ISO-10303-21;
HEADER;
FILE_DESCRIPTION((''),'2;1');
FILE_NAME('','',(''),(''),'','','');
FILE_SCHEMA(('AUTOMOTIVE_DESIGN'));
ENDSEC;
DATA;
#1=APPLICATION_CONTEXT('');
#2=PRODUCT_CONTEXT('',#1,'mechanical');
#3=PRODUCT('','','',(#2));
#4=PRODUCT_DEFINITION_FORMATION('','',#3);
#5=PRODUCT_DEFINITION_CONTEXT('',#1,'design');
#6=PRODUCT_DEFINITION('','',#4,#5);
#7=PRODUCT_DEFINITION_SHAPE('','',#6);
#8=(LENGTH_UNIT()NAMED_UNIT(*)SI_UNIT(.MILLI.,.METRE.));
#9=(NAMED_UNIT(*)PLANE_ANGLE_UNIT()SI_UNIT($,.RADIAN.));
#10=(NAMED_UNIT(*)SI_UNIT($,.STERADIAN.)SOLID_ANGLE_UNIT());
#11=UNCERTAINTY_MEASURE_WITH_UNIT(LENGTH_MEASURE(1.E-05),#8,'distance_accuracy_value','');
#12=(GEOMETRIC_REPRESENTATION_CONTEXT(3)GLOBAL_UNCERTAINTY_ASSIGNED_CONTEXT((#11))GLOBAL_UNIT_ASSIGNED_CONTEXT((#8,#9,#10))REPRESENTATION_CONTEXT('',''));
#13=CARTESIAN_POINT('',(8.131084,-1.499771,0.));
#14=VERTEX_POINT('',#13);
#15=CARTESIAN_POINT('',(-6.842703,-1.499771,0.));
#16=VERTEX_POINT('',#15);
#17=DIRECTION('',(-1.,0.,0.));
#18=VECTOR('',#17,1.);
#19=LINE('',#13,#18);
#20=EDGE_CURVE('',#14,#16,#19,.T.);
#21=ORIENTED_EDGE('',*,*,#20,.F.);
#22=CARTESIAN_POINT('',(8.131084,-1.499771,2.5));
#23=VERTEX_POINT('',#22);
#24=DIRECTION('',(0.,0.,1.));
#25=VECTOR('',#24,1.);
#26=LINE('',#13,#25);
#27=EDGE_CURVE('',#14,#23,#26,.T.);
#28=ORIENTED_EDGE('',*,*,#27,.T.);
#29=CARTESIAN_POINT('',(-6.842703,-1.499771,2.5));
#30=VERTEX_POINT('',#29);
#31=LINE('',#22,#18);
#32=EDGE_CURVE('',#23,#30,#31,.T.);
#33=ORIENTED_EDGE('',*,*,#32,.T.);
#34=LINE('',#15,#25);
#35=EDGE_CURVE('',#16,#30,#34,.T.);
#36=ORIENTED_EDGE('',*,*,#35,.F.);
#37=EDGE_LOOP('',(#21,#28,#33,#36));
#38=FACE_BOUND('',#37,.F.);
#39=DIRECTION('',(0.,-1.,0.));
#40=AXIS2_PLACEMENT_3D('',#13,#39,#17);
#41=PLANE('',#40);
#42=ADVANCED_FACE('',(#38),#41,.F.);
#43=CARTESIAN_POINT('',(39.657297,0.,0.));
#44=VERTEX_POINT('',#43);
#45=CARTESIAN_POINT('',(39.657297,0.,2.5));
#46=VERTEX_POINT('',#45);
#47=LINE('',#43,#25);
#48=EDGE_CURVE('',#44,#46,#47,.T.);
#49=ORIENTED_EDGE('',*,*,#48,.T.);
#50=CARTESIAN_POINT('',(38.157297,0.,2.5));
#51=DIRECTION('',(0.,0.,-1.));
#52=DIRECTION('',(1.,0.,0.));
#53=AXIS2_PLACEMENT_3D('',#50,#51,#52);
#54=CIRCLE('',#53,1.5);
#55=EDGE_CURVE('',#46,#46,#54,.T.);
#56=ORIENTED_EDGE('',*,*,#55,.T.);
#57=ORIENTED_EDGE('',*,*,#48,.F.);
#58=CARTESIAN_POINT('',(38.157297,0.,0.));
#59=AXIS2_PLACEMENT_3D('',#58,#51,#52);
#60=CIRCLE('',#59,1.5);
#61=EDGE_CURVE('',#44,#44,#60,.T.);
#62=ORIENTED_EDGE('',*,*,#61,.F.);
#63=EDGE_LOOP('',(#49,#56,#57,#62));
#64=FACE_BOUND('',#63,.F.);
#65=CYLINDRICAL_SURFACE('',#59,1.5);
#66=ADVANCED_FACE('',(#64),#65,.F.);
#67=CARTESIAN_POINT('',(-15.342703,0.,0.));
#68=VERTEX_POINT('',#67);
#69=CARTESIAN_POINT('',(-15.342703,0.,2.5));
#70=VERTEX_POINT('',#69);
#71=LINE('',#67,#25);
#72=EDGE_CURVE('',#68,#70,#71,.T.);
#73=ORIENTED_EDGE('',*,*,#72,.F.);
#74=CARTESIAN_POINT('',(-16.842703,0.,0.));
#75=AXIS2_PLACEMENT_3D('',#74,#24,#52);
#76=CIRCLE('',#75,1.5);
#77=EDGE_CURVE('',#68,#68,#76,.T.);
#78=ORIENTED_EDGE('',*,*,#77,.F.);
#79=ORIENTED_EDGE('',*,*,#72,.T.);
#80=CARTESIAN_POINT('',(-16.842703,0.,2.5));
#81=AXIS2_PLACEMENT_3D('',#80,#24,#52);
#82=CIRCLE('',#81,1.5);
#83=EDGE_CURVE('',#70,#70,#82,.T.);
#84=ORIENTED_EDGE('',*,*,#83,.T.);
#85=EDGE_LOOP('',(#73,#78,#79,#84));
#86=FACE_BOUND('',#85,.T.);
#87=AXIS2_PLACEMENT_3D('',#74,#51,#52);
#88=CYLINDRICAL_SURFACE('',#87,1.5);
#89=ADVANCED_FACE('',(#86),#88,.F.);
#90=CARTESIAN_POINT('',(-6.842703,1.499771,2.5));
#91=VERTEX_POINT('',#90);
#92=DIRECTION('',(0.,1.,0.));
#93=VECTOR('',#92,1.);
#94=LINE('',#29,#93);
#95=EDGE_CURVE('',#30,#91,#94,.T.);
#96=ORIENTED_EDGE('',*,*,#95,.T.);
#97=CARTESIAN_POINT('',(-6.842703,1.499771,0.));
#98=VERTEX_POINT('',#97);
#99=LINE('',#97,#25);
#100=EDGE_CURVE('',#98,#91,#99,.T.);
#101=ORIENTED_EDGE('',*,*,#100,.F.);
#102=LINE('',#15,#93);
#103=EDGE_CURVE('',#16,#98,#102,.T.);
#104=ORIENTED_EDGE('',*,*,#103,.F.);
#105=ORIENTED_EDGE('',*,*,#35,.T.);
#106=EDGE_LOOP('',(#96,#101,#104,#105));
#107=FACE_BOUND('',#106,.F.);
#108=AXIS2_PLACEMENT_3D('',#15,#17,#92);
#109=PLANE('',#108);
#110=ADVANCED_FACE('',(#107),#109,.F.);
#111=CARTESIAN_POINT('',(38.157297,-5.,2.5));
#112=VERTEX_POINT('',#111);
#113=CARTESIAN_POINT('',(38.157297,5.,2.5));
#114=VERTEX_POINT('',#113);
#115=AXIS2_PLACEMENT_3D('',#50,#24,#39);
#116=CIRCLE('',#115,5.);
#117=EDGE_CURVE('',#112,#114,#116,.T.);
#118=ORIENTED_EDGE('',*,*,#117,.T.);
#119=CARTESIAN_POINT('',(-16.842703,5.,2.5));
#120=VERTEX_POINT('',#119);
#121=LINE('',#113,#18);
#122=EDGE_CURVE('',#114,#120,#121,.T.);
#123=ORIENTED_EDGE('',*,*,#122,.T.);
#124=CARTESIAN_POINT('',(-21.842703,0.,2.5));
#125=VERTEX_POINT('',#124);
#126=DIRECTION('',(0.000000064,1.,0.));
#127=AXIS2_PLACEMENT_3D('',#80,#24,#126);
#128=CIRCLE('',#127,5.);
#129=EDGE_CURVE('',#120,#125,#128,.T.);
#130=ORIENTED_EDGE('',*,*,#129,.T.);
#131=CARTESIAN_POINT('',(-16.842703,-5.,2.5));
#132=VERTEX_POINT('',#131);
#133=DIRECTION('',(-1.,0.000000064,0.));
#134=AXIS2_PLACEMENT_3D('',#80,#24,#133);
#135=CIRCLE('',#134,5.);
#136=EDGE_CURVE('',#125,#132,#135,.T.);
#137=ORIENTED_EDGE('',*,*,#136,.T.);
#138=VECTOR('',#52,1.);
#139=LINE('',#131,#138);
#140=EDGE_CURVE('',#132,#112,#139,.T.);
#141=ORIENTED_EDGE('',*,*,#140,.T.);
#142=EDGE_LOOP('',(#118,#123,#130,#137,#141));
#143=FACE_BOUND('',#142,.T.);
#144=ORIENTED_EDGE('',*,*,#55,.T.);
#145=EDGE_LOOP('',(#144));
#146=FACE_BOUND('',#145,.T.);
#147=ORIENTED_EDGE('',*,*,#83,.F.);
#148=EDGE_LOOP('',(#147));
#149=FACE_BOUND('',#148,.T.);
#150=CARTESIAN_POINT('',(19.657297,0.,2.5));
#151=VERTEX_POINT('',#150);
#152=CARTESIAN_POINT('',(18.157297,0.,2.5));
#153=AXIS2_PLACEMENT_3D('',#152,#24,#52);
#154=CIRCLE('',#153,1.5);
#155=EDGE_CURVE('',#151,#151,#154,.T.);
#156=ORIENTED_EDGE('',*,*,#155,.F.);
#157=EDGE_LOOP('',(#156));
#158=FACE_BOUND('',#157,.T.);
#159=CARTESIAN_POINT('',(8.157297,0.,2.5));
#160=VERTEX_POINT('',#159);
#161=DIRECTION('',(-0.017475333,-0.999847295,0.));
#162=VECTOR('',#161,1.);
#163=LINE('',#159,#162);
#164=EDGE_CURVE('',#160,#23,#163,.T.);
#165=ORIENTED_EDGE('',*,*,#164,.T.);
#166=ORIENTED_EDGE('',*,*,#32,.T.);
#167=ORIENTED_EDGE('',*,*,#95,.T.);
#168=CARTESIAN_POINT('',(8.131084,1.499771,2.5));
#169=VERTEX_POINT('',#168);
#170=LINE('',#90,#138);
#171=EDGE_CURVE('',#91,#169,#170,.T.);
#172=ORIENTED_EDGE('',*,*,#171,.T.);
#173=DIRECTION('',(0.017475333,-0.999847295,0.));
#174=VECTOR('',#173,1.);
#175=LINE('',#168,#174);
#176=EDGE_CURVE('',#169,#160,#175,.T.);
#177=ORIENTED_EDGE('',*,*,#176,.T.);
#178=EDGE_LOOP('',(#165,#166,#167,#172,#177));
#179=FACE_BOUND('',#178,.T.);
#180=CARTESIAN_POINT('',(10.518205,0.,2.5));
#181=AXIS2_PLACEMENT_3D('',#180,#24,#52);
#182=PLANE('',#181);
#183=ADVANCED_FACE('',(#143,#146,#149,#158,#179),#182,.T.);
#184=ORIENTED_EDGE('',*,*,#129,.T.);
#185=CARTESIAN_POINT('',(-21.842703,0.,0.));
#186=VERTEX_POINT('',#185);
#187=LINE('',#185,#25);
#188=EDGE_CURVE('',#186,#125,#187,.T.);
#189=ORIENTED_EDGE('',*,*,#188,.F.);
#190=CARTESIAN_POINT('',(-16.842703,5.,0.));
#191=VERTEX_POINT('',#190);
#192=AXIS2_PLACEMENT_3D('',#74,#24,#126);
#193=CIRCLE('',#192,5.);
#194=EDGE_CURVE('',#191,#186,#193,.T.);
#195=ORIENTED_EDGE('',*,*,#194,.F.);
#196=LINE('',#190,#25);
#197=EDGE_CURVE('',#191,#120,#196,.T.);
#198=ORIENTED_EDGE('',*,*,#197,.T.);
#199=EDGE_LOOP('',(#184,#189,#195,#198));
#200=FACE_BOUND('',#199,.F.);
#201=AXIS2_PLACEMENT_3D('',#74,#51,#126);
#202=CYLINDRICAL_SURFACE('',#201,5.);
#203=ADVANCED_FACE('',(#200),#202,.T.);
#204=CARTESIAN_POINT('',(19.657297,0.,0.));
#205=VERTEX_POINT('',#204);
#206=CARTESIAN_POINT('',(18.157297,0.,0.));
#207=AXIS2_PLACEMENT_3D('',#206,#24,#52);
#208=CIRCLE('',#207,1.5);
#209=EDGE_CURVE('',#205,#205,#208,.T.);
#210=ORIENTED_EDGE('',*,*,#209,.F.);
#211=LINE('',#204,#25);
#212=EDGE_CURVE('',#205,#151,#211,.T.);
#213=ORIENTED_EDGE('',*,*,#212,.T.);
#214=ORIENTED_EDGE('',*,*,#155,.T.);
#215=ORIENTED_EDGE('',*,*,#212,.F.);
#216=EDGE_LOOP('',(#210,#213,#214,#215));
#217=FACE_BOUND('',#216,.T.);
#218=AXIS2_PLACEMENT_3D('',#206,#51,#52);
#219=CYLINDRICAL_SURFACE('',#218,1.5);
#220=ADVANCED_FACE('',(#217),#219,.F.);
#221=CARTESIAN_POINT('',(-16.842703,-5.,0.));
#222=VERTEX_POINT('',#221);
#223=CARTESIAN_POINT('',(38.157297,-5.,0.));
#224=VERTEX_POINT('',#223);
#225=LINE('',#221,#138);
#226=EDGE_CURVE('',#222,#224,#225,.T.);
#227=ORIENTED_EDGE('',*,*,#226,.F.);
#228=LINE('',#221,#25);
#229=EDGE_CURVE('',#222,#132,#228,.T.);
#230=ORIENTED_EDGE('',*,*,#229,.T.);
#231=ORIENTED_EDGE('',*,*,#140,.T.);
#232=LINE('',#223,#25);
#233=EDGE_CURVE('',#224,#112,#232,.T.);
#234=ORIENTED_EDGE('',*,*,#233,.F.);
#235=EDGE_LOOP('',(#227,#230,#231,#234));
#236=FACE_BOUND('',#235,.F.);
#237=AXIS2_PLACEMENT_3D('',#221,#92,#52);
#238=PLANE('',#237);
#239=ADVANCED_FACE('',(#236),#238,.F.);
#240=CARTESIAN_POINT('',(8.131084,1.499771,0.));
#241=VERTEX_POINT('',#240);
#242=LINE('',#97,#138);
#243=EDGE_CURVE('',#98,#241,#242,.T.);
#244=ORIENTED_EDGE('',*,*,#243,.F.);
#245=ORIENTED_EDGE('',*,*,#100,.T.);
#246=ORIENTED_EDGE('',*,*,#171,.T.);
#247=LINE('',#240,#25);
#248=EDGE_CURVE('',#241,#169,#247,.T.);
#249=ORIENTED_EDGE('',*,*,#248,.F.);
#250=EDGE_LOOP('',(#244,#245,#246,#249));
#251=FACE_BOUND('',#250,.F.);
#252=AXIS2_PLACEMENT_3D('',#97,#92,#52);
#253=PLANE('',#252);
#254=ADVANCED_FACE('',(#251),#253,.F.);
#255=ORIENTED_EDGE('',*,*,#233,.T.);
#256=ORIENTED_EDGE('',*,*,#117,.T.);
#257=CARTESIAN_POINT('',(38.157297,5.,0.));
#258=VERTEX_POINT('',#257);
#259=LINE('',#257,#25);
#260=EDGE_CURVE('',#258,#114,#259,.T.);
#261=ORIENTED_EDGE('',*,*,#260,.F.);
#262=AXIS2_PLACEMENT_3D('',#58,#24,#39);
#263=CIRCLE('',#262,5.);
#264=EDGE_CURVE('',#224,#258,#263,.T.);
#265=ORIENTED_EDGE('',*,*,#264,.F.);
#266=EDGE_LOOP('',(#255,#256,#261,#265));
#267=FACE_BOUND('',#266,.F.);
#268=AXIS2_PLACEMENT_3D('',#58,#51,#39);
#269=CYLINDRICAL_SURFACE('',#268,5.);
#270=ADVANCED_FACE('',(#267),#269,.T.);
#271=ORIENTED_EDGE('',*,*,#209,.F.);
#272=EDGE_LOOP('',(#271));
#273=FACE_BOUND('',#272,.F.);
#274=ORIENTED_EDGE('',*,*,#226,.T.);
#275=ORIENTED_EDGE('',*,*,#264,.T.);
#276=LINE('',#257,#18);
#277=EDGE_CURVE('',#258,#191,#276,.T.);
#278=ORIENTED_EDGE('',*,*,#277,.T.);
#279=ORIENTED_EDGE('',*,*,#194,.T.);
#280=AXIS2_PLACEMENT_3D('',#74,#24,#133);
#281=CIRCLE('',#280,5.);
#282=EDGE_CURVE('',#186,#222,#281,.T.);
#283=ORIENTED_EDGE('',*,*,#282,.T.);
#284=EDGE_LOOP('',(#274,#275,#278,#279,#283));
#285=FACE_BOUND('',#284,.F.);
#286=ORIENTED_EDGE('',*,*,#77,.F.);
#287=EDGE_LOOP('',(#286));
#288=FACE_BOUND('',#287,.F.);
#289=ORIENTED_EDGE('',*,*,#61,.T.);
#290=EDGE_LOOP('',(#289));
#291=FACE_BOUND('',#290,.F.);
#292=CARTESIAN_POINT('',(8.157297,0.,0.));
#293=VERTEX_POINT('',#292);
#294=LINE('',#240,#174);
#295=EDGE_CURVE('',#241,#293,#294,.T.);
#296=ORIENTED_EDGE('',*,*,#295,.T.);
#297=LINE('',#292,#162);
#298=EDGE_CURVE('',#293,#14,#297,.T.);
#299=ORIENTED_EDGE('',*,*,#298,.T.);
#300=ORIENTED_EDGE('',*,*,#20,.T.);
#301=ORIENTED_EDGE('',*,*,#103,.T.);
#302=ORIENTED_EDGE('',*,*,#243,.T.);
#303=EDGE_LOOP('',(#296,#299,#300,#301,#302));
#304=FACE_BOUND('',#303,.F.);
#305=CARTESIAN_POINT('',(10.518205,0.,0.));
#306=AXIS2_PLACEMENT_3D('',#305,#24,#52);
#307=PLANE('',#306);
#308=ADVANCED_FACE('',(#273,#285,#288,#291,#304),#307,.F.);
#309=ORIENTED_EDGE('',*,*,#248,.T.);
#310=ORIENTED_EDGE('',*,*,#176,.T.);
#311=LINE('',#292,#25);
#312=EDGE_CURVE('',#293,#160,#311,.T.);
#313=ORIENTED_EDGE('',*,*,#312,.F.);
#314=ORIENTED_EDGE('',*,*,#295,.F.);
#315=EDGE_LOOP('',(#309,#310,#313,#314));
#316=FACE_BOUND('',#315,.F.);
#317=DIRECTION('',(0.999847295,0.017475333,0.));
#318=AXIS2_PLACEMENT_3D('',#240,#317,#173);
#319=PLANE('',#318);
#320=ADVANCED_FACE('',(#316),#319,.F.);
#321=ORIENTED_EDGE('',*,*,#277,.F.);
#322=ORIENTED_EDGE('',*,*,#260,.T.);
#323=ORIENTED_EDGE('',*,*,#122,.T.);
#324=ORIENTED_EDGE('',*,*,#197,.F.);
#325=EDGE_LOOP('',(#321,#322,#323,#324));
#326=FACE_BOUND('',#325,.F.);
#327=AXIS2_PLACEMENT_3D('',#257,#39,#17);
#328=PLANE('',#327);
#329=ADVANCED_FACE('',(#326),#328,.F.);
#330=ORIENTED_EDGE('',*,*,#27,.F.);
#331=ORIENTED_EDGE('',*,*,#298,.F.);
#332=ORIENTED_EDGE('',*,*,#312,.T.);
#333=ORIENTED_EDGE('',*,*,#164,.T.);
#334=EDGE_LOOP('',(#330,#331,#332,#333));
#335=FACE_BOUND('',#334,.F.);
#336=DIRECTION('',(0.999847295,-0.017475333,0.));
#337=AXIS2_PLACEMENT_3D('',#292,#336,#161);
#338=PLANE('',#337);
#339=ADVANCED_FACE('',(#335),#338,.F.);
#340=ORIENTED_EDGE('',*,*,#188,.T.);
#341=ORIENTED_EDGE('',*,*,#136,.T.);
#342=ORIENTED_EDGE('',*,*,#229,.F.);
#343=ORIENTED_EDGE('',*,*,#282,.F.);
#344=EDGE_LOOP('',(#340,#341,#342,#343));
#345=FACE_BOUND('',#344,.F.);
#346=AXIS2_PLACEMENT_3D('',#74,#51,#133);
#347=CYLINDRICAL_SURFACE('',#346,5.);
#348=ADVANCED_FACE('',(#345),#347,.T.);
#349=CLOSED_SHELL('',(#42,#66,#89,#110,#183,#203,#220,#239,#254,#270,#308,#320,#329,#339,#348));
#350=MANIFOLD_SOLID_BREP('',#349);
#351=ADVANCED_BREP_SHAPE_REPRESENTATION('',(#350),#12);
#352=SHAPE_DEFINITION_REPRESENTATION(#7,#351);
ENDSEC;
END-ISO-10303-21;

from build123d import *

# Parameters (mm, degrees)
F0_R     = 1.5
F1_DEPTH = 2.5


with BuildPart() as f1:
    # F0 (on Top) → F1 (new body)
    with BuildSketch(Plane.XY):
        with BuildLine():
            Line((-16.842703, -5), (38.157297, -5))
            ThreePointArc((38.157297, -5), (43.157297, 0), (38.157297, 5))
            Line((38.157297, 5), (-16.842703, 5))
            ThreePointArc((-16.842703, 5), (-20.378237, 3.535534), (-21.842703, 0))
            ThreePointArc((-21.842703, 0), (-20.378237, -3.535534), (-16.842703, -5))
        make_face()
        with Locations((-16.842703, 0)):
            Circle(F0_R, mode=Mode.SUBTRACT)
        Polygon((-6.842703, -1.499771), (-6.842703, 0), (-6.842703, 1.499771), (8.131084, 1.499771), (8.157297, 0), (8.131084, -1.499771), align=None, mode=Mode.SUBTRACT)
        with Locations((18.157297, 0)):
            Circle(F0_R, mode=Mode.SUBTRACT)
        with BuildLine():
            ThreePointArc((36.657297, 0), (38.157297, 1.5), (39.657297, 0))
            ThreePointArc((39.657297, 0), (38.157297, -1.5), (36.657297, 0))
        make_face(mode=Mode.SUBTRACT)
    extrude(amount=F1_DEPTH)


solid = f1.part
